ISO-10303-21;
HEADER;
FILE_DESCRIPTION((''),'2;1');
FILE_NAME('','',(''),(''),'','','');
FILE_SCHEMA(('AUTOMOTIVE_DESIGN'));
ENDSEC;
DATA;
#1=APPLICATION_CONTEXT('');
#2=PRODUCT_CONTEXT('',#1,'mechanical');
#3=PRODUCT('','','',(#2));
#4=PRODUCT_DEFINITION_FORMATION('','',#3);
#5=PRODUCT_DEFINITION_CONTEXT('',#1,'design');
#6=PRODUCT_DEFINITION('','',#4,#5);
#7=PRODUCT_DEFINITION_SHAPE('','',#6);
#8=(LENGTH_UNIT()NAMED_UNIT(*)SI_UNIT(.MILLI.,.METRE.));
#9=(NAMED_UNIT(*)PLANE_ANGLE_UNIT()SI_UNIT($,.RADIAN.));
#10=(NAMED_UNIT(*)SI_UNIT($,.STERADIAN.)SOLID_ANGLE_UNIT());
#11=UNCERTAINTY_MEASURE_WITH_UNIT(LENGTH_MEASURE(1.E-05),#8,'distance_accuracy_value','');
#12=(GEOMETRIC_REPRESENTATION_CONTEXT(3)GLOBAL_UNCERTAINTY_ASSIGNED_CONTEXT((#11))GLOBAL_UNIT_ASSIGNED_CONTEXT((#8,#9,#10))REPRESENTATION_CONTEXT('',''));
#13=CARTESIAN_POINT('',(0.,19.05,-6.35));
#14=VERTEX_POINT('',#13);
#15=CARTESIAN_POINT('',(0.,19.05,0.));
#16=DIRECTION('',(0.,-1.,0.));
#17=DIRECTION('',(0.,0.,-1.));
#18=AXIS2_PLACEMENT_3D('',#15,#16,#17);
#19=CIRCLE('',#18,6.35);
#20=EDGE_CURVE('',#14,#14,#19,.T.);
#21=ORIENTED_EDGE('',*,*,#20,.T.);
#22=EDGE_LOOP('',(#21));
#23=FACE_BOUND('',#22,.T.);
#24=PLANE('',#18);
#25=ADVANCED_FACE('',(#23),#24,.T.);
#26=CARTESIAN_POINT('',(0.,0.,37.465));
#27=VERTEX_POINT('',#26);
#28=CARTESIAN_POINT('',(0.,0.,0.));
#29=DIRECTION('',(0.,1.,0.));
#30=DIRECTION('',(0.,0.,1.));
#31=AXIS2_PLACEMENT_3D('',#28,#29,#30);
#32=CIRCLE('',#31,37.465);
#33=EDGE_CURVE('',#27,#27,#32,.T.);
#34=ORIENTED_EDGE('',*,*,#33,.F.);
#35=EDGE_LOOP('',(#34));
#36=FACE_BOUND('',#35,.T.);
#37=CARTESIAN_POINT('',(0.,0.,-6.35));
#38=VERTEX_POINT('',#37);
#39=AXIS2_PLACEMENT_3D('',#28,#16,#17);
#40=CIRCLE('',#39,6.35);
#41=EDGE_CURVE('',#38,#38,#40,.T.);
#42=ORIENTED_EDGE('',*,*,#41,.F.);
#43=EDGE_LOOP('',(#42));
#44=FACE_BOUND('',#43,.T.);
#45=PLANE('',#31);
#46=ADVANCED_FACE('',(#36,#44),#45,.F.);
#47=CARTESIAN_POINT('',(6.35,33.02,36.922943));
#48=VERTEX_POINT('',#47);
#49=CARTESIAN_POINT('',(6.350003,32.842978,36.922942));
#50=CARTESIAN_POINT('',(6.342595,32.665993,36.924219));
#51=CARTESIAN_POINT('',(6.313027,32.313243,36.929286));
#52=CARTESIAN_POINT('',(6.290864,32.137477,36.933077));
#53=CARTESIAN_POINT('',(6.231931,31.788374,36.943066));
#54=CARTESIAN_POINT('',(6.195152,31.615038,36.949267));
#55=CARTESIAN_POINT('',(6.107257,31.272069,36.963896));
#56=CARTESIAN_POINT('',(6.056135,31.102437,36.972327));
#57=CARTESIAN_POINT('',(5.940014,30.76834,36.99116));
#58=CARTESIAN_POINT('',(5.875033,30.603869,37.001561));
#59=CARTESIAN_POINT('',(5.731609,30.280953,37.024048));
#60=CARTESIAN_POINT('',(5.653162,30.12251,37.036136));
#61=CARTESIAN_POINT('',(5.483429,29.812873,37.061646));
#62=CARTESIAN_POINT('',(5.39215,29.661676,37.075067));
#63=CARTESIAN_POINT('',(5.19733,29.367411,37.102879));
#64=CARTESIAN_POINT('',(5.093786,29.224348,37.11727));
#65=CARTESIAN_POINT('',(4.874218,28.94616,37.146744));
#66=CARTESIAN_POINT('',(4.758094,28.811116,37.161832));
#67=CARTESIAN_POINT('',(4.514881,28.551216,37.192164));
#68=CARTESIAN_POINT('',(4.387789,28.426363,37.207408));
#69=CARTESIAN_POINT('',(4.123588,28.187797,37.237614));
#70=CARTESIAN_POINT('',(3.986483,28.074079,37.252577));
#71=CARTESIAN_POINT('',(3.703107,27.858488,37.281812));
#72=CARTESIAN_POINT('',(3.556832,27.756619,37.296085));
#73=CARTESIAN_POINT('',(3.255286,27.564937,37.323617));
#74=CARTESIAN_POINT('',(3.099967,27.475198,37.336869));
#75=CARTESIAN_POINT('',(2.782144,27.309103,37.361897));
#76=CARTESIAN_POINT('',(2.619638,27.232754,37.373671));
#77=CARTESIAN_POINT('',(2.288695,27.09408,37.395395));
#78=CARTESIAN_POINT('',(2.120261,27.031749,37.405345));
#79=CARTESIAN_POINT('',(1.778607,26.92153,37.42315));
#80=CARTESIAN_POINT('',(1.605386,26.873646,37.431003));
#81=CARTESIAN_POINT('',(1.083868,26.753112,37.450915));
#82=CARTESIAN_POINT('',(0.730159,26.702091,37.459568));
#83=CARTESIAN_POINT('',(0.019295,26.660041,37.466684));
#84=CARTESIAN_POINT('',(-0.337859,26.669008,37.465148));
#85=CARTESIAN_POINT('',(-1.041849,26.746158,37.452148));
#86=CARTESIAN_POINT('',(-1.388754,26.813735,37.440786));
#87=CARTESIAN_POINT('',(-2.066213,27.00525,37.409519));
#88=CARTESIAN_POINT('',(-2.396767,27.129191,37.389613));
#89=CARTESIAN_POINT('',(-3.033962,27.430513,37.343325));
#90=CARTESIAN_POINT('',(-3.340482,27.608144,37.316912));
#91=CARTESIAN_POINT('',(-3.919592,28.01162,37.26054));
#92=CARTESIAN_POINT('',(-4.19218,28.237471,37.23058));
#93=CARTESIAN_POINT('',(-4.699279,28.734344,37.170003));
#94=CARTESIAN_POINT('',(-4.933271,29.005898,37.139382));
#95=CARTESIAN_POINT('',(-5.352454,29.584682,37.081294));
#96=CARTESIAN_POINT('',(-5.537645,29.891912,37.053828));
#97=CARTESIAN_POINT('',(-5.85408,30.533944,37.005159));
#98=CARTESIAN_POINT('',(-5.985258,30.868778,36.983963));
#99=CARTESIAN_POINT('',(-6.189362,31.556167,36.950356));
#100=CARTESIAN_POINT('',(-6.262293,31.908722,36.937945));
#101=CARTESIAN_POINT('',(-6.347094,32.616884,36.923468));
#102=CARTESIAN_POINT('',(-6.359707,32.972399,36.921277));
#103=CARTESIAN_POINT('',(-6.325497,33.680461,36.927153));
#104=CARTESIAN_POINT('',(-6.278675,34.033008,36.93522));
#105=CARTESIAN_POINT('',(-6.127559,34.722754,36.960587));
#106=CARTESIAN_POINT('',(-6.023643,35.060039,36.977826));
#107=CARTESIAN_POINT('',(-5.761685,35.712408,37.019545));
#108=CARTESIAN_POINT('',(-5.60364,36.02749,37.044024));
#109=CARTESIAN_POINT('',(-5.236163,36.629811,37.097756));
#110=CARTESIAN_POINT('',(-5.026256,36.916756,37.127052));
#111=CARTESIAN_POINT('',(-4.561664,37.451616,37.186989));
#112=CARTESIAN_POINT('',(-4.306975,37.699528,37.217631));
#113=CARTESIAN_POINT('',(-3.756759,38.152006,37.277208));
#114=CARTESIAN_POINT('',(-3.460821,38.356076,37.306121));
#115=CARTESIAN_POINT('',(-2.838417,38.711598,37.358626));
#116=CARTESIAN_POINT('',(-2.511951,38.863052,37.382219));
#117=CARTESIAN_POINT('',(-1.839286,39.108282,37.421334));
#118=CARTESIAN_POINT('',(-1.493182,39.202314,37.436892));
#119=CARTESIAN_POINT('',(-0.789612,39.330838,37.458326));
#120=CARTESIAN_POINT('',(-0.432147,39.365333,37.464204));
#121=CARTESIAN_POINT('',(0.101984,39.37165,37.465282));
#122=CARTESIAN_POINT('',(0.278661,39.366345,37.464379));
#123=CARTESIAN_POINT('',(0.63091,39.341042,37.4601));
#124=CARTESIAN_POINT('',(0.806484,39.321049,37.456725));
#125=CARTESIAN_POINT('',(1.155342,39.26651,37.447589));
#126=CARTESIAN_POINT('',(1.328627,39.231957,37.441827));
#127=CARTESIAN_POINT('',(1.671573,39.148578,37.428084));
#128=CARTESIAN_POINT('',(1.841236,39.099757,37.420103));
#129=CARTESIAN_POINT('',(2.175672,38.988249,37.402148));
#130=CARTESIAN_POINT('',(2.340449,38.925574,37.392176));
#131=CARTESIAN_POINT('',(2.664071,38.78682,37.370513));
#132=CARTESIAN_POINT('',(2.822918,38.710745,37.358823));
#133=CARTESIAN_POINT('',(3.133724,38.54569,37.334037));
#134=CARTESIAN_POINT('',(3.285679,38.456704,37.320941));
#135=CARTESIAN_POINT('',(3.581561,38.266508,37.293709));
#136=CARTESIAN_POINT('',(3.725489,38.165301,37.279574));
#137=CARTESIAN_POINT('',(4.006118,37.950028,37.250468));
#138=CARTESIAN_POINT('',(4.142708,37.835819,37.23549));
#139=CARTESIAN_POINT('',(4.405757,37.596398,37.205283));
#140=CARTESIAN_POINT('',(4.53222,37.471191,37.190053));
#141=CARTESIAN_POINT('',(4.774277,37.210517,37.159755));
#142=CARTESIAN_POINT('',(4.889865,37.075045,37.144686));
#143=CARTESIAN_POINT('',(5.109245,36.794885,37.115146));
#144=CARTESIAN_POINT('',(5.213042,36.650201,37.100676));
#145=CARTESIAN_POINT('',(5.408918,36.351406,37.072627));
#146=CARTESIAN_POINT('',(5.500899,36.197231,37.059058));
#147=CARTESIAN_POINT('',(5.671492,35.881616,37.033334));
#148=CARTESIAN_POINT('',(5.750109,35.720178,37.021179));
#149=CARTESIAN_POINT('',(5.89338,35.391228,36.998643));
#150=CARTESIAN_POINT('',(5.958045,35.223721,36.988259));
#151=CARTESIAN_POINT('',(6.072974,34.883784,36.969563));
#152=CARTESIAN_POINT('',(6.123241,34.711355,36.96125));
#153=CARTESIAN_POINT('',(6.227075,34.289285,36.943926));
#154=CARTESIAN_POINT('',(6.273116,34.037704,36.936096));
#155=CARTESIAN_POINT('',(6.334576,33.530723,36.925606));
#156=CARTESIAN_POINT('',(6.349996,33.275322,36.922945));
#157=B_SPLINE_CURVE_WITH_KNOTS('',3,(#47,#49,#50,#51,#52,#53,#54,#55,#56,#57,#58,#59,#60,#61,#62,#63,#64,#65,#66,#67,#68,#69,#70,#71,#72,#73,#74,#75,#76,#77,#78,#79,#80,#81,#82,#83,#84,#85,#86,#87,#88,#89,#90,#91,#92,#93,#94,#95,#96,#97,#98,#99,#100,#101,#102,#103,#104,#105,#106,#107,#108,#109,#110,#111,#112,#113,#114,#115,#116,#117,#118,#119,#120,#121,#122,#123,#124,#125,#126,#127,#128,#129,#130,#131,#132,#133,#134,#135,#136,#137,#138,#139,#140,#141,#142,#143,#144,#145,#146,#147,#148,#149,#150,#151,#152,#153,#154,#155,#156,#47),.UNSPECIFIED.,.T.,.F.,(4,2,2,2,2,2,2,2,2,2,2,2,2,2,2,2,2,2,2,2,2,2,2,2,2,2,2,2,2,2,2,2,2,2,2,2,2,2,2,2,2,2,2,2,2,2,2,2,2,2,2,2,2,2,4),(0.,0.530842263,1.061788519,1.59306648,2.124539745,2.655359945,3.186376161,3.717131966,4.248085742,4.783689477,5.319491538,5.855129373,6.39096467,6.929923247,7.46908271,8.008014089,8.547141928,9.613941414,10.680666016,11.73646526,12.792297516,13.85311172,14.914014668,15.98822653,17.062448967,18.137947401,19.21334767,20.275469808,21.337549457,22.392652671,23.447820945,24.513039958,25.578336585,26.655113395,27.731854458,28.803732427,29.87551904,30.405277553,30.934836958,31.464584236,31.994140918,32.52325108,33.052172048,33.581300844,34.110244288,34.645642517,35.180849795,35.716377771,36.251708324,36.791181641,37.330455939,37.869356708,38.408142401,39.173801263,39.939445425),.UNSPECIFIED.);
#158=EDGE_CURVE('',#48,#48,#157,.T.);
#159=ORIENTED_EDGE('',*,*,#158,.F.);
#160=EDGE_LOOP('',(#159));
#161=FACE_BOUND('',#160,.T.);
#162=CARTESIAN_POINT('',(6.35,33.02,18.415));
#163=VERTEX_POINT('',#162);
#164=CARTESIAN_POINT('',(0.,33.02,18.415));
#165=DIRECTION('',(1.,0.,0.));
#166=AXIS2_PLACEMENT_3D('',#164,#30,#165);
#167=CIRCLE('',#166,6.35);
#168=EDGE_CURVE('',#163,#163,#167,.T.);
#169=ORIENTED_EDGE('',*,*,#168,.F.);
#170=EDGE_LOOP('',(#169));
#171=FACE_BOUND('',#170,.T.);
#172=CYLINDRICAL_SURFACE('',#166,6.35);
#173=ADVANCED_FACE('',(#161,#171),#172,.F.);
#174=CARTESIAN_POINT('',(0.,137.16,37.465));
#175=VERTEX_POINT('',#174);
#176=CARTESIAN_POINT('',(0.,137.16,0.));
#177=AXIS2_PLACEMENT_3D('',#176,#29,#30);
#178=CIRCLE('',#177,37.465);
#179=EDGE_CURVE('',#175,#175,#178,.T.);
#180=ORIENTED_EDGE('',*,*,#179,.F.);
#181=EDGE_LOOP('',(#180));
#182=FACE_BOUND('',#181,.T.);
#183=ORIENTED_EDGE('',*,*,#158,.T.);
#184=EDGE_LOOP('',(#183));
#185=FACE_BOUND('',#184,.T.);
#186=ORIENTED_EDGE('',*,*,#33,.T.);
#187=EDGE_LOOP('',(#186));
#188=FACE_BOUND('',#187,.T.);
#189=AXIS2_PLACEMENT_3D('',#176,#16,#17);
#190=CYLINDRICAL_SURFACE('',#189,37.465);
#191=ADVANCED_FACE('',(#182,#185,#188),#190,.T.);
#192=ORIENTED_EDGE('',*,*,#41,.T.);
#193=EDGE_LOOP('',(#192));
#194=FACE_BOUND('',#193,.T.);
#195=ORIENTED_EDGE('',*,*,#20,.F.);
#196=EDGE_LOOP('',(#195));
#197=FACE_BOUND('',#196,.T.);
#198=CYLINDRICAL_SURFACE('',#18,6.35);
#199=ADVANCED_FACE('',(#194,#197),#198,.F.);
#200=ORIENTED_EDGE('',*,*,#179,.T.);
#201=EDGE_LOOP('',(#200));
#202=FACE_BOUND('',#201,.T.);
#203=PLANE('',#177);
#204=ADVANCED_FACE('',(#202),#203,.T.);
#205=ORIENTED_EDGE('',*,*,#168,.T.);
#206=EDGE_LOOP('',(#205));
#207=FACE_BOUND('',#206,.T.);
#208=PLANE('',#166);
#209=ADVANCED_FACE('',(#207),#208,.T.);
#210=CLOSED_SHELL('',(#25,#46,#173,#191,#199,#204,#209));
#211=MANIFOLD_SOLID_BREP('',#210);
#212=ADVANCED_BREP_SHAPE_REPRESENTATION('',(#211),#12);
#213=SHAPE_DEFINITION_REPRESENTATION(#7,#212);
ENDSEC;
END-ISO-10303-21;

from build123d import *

# Parameters (mm, degrees)
SKETCH1_R           = 37.465
BOSS_EXTRUDE1_DEPTH = 137.16
SKETCH3_R           = 6.35
CUT_EXTRUDE1_DEPTH  = 19.05
SKETCH4_R           = 6.35
CUT_EXTRUDE2_DEPTH  = 19.05


with BuildPart() as part:
    # Sketch1 → Boss-Extrude1 (new body)
    with BuildSketch(Plane(origin=(0, 0, 0), x_dir=(1, 0, 0), z_dir=(0, 1, 0))):
        Circle(SKETCH1_R)
    extrude(amount=BOSS_EXTRUDE1_DEPTH)

    # Sketch3 → Cut-Extrude1 (cut)
    with BuildSketch(Plane.XY.offset(37.465)):
        with Locations((0, 33.02)):
            Circle(SKETCH3_R)
    extrude(amount=-CUT_EXTRUDE1_DEPTH, mode=Mode.SUBTRACT)

    # Sketch4 → Cut-Extrude2 (cut)
    with BuildSketch(Plane.XZ):
        Circle(SKETCH4_R)
    extrude(amount=-CUT_EXTRUDE2_DEPTH, mode=Mode.SUBTRACT)


solid = part.part
